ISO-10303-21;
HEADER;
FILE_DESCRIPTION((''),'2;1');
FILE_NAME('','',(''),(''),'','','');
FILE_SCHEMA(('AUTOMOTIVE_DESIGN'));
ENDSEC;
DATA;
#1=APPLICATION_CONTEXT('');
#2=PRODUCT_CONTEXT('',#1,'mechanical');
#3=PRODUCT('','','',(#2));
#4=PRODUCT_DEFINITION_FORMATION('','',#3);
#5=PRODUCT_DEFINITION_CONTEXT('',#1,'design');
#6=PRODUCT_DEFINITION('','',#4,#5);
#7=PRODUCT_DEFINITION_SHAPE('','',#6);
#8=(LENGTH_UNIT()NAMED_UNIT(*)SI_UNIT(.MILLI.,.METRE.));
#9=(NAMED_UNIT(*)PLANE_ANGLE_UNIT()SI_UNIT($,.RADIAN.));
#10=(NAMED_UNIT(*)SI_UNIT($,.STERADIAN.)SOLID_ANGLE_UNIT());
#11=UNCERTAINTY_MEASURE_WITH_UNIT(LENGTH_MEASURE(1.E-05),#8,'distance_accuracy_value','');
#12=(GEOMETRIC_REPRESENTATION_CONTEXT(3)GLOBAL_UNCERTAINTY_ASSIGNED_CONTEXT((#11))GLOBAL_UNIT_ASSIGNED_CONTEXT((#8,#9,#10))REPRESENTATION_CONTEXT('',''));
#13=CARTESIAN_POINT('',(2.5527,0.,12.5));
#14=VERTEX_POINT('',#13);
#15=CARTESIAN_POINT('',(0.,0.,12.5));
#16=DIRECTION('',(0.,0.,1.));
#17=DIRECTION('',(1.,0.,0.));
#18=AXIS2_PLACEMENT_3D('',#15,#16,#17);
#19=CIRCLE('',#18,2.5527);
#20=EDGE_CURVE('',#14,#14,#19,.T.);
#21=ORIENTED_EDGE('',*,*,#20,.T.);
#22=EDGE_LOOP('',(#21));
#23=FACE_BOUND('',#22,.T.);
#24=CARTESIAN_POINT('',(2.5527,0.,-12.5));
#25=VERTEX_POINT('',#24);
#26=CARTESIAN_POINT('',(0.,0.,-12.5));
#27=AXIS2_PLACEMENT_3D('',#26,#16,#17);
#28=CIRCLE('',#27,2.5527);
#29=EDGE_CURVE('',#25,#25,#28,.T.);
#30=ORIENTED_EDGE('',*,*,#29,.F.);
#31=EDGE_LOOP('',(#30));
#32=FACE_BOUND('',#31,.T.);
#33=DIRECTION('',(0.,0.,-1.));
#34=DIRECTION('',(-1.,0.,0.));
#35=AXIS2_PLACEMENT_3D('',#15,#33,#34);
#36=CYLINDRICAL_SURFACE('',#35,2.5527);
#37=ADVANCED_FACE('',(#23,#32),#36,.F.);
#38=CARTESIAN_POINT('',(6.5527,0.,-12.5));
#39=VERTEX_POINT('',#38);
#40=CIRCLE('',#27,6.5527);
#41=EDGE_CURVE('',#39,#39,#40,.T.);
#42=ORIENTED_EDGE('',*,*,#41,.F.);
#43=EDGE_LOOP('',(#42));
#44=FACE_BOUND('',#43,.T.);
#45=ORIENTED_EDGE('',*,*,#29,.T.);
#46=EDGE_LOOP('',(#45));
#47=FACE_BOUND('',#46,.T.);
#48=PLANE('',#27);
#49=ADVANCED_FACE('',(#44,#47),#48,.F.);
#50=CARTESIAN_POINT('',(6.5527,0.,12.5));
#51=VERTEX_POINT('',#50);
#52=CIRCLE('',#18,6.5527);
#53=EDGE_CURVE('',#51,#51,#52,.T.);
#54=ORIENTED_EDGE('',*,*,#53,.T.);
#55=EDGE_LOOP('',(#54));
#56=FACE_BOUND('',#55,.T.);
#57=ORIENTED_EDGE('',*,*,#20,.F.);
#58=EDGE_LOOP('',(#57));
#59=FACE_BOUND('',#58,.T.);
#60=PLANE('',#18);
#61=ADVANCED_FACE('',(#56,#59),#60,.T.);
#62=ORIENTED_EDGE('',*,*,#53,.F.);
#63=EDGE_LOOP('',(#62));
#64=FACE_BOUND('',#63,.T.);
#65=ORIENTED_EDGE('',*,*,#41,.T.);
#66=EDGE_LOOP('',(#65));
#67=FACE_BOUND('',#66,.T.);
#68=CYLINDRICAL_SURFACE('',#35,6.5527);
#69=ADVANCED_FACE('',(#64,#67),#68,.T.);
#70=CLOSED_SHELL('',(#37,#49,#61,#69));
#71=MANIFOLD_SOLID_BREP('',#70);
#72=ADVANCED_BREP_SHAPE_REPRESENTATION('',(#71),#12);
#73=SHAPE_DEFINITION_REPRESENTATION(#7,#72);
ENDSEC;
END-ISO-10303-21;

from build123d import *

# Parameters (mm, degrees)
SKETCH1_R           = 6.5527
SKETCH1_R_2         = 2.5527
BOSS_EXTRUDE1_DEPTH = 12.5


with BuildPart() as part:
    # Sketch1 → Boss-Extrude1 (new, symmetric)
    with BuildSketch(Plane.XY):
        Circle(SKETCH1_R)
        Circle(SKETCH1_R_2, mode=Mode.SUBTRACT)
    extrude(amount=BOSS_EXTRUDE1_DEPTH, both=True)


solid = part.part
